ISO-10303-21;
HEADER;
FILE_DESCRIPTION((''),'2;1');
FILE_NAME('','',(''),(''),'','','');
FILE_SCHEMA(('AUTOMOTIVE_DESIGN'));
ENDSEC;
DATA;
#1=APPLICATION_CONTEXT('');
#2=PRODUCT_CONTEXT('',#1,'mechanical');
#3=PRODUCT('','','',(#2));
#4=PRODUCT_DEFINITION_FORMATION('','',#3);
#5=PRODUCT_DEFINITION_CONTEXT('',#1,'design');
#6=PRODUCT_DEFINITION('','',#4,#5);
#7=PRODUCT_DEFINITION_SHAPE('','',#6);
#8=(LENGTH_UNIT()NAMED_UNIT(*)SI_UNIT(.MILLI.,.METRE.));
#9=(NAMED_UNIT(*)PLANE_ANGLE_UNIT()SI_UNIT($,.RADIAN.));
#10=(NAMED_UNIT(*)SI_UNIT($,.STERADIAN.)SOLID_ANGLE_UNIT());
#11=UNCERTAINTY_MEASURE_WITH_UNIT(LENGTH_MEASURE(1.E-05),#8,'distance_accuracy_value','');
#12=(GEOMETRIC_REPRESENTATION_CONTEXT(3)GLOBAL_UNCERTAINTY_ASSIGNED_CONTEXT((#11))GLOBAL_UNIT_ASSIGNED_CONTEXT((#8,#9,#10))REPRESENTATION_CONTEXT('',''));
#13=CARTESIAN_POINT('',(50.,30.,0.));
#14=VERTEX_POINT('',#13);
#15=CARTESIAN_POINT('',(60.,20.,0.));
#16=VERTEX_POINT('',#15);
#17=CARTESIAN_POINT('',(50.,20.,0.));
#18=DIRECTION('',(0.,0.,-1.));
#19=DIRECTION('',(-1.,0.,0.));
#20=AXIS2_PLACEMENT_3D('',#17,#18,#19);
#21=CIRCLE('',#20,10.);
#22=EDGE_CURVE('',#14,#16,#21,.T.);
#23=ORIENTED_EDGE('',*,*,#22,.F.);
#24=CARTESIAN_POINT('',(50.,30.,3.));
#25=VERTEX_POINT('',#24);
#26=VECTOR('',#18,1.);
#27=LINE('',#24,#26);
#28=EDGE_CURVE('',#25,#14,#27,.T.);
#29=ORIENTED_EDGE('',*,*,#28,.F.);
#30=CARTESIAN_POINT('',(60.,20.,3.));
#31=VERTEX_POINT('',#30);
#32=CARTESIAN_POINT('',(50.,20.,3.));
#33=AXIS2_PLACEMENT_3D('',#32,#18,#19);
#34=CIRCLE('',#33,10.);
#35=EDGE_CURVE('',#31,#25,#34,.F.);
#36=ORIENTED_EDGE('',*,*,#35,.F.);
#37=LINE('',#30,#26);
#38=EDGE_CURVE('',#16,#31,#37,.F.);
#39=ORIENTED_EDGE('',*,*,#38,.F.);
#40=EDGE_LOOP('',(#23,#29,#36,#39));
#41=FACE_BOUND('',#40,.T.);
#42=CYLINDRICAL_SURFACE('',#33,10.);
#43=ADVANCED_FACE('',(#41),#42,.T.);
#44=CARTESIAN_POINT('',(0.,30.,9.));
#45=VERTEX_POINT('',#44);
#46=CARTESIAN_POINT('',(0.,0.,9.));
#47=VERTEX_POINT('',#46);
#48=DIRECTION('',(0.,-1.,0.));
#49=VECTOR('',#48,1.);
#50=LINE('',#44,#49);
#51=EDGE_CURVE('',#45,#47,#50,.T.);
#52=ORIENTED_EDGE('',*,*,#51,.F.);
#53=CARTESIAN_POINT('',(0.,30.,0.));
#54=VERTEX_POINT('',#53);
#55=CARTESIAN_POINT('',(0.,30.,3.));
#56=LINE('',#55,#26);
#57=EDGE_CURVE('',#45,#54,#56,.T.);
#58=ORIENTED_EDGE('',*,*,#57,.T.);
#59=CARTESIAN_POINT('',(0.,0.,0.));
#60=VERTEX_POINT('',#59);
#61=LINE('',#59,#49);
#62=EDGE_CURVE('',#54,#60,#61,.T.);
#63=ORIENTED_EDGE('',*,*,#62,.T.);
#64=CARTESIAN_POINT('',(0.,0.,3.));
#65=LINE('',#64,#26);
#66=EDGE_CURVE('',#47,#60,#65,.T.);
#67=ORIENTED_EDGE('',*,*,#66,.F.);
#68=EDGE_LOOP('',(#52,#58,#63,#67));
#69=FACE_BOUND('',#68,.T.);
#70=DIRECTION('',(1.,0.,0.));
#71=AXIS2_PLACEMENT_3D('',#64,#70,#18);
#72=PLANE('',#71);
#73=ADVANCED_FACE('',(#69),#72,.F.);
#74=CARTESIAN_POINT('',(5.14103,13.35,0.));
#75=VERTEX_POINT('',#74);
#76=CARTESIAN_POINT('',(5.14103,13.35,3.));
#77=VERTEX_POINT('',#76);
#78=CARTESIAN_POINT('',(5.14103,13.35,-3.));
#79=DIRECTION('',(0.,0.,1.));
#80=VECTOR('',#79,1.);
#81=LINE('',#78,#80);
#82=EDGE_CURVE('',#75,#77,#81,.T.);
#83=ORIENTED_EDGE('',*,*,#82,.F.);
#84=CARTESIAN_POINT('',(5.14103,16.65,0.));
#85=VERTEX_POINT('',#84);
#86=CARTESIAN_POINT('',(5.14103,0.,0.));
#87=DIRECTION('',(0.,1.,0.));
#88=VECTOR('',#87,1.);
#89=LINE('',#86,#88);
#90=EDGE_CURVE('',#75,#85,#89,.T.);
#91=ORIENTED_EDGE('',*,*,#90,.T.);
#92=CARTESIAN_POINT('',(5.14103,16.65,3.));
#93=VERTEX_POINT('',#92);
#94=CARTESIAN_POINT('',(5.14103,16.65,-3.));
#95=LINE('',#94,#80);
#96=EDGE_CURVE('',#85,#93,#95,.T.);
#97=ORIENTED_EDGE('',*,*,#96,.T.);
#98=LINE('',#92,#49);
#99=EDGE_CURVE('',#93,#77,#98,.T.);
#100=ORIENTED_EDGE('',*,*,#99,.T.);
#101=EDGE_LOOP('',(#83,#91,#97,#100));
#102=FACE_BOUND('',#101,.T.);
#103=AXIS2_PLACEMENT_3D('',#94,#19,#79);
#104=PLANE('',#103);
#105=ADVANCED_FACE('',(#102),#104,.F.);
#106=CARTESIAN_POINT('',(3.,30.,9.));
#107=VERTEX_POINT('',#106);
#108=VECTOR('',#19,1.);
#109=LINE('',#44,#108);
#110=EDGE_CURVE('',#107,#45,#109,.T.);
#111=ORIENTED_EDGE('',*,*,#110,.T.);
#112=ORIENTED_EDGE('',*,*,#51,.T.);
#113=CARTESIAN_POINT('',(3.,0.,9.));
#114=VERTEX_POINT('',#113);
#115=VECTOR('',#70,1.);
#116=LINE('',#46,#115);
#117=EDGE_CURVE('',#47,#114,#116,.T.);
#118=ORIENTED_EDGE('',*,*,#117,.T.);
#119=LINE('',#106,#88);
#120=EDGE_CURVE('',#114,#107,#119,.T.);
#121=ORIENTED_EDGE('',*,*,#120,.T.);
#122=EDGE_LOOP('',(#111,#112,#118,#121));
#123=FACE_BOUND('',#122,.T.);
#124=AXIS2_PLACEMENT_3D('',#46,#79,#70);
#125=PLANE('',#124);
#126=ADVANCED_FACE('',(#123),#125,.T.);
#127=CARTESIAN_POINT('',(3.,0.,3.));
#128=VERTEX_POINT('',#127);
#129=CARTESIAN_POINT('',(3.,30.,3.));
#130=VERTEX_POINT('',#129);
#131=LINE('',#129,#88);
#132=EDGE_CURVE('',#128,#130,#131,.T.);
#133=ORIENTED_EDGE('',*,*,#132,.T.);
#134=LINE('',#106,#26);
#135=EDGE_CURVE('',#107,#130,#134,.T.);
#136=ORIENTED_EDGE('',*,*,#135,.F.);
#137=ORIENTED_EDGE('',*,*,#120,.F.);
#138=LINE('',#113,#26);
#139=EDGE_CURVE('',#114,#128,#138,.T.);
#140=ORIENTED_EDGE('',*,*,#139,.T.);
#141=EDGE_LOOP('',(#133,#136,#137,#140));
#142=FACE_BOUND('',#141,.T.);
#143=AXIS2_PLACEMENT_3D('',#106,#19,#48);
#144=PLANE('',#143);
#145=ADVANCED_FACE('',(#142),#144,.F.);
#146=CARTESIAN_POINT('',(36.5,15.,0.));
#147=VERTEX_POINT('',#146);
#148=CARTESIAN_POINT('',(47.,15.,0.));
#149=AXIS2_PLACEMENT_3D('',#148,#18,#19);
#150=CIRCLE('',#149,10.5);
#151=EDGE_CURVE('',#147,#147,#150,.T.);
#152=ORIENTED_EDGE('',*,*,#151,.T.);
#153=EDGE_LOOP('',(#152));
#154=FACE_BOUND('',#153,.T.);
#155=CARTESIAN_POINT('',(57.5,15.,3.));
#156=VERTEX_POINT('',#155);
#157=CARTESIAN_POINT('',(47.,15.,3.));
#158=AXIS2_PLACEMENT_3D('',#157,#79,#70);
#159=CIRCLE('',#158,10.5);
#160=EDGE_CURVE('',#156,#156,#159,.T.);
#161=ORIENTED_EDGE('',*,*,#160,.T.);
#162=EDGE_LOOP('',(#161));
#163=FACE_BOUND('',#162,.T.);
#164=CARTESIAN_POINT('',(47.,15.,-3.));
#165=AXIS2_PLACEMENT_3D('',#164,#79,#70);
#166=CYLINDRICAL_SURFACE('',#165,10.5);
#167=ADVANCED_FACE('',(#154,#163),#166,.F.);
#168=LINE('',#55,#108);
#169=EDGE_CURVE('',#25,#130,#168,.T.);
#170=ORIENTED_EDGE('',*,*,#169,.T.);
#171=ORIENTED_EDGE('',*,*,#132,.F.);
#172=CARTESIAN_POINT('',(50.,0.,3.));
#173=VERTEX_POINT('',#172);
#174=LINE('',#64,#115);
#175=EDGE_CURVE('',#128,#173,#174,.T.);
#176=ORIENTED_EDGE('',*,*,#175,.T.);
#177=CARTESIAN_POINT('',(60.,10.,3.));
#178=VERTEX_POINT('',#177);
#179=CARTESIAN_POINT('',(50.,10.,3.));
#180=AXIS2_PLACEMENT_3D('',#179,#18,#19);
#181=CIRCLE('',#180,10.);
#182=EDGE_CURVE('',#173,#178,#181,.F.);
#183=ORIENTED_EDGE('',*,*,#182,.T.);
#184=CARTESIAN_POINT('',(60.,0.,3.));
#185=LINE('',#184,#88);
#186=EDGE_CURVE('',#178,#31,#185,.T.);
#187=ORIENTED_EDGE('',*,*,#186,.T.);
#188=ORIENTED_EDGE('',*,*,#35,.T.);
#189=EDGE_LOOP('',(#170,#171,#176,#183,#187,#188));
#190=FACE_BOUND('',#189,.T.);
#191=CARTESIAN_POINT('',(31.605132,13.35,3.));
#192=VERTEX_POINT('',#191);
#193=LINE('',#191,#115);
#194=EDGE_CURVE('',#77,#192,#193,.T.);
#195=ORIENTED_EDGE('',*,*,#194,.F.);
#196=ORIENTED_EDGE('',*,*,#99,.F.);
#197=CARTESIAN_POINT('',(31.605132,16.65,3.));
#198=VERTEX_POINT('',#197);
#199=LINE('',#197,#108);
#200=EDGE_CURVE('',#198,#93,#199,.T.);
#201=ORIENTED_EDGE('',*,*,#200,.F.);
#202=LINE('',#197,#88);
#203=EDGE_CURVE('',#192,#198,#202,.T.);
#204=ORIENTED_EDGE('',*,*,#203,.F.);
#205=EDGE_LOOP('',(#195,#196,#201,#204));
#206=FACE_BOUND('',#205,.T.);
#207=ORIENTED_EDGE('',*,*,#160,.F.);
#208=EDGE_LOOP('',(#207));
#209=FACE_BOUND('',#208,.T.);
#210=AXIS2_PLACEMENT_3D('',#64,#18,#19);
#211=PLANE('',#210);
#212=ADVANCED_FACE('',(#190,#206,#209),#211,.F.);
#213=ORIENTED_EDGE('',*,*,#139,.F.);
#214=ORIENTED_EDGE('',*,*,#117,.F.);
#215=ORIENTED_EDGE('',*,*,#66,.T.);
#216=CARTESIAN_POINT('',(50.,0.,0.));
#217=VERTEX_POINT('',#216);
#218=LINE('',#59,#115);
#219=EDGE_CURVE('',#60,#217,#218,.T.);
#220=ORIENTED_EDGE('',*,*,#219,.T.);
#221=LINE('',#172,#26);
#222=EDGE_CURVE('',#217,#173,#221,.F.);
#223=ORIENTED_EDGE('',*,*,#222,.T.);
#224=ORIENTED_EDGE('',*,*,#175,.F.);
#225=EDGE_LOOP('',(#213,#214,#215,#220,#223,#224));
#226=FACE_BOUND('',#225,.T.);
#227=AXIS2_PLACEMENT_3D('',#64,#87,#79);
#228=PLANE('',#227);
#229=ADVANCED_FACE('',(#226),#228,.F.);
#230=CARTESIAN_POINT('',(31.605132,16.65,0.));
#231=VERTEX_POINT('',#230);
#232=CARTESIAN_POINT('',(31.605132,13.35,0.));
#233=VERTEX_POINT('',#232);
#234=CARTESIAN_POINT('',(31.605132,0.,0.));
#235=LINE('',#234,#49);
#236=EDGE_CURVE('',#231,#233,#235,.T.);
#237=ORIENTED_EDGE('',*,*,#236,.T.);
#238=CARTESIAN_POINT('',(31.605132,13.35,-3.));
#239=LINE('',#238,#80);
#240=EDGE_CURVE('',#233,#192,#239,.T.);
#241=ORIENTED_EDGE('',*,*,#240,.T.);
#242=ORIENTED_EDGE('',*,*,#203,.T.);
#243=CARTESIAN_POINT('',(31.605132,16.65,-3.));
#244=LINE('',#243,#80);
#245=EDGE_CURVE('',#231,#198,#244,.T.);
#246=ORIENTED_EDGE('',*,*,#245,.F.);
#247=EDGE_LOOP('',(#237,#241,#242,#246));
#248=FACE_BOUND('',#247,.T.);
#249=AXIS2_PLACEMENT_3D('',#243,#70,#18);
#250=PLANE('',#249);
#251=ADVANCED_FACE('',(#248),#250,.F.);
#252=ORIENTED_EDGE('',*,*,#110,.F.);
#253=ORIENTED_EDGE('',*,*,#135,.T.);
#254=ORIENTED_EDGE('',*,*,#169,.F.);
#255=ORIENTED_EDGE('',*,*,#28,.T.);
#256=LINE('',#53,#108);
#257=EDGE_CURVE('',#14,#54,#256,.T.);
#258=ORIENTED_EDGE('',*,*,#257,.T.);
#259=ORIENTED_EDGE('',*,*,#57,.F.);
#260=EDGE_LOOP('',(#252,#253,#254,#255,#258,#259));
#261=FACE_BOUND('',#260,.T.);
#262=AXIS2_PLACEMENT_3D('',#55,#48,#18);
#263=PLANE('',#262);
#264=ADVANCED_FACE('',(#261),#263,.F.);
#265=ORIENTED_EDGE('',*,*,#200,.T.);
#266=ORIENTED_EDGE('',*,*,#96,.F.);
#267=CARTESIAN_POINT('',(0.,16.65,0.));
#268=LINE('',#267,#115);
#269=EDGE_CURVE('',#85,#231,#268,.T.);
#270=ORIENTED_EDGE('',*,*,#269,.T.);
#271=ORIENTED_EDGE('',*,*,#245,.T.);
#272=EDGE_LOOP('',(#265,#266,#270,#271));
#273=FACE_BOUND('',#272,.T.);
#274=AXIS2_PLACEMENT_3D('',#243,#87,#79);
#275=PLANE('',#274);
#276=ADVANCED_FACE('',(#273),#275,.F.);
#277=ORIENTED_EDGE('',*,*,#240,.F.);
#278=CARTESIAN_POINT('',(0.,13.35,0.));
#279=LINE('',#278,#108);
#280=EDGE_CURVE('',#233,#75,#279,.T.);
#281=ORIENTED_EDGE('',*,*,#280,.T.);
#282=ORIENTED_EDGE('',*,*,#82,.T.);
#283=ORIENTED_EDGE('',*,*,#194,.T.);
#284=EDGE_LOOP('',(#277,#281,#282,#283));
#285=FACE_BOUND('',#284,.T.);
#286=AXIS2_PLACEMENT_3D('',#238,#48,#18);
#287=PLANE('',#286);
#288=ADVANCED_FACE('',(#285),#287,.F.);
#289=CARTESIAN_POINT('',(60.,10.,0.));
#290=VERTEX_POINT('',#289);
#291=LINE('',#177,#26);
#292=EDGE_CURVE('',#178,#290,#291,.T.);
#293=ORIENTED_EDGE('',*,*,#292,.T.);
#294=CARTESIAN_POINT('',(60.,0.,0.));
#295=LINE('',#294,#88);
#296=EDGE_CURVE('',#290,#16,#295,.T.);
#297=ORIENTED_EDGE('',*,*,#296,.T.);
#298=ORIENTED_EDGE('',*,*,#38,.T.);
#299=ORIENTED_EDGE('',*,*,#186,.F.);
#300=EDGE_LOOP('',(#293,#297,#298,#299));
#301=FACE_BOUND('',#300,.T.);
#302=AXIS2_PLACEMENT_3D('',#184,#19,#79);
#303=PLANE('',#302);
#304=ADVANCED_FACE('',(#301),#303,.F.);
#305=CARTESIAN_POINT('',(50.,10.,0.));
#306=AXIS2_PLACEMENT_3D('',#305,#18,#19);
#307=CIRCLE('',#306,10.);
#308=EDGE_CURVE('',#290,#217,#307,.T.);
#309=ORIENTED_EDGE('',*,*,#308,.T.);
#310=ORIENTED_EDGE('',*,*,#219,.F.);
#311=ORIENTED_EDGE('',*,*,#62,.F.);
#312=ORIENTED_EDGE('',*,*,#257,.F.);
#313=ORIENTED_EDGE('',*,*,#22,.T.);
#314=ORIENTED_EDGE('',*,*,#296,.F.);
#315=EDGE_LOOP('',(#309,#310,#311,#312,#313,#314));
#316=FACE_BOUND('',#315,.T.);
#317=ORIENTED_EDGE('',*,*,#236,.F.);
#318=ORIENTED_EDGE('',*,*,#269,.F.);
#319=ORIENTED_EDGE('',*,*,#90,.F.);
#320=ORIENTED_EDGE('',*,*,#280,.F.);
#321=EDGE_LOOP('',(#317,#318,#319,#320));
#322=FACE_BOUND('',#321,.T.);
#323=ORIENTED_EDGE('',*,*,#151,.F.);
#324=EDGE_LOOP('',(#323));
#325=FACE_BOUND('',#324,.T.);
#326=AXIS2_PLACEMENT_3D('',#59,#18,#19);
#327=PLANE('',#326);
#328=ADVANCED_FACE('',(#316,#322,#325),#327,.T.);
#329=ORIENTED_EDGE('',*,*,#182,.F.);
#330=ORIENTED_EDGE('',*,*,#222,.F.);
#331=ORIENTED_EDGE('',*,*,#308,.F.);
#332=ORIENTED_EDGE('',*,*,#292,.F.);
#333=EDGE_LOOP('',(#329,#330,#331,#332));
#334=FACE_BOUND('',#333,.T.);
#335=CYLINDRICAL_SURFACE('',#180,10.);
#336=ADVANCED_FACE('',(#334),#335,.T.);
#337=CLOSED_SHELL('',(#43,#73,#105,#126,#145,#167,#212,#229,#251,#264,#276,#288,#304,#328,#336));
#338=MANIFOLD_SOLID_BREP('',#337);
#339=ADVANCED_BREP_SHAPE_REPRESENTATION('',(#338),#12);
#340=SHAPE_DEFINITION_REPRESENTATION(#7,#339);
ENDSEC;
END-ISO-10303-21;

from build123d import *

# Parameters (mm, degrees)
SKETCH_1_W          = 60
SKETCH_1_H          = 30
EXTRUDE_1_DEPTH     = 3
SKETCH_2_W          = 3
SKETCH_2_H          = 30
EXTRUDE_2_DEPTH     = 6
SKETCH_3_R          = 10.5
CUT_EXTRUDE_1_DEPTH = 6
FILLET_1_R          = 10
SKETCH_4_W          = 26.464102696
SKETCH_4_H          = 3.3
CUT_EXTRUDE_2_DEPTH = 6


with BuildPart() as part:
    # 草图1 → 凸台-拉伸1 (new body)
    with BuildSketch(Plane.XY):
        with Locations((30, 15)):
            Rectangle(SKETCH_1_W, SKETCH_1_H)
    extrude(amount=EXTRUDE_1_DEPTH)

    # 草图2 → 凸台-拉伸2 (add)
    with BuildSketch(Plane.XY.offset(3)):
        with Locations((1.5, 15)):
            Rectangle(SKETCH_2_W, SKETCH_2_H)
    extrude(amount=EXTRUDE_2_DEPTH)

    # 草图3 → 切除-拉伸1 (cut)
    with BuildSketch(Plane.XY.offset(3)):
        with Locations((47, 15)):
            Circle(SKETCH_3_R)
    extrude(amount=-CUT_EXTRUDE_1_DEPTH, mode=Mode.SUBTRACT)

    # 圆角1
    fillet_1_edges = [part.edges().sort_by_distance(p)[0] for p in [
        (60, 30, 1.5),
        (60, 0, 1.5),
    ]]
    fillet(fillet_1_edges, radius=FILLET_1_R)

    # 草图4 → 切除-拉伸2 (cut)
    with BuildSketch(Plane.XY.offset(3)):
        with Locations((18.373081002, 15)):
            Rectangle(SKETCH_4_W, SKETCH_4_H)
    extrude(amount=-CUT_EXTRUDE_2_DEPTH, mode=Mode.SUBTRACT)


solid = part.part
